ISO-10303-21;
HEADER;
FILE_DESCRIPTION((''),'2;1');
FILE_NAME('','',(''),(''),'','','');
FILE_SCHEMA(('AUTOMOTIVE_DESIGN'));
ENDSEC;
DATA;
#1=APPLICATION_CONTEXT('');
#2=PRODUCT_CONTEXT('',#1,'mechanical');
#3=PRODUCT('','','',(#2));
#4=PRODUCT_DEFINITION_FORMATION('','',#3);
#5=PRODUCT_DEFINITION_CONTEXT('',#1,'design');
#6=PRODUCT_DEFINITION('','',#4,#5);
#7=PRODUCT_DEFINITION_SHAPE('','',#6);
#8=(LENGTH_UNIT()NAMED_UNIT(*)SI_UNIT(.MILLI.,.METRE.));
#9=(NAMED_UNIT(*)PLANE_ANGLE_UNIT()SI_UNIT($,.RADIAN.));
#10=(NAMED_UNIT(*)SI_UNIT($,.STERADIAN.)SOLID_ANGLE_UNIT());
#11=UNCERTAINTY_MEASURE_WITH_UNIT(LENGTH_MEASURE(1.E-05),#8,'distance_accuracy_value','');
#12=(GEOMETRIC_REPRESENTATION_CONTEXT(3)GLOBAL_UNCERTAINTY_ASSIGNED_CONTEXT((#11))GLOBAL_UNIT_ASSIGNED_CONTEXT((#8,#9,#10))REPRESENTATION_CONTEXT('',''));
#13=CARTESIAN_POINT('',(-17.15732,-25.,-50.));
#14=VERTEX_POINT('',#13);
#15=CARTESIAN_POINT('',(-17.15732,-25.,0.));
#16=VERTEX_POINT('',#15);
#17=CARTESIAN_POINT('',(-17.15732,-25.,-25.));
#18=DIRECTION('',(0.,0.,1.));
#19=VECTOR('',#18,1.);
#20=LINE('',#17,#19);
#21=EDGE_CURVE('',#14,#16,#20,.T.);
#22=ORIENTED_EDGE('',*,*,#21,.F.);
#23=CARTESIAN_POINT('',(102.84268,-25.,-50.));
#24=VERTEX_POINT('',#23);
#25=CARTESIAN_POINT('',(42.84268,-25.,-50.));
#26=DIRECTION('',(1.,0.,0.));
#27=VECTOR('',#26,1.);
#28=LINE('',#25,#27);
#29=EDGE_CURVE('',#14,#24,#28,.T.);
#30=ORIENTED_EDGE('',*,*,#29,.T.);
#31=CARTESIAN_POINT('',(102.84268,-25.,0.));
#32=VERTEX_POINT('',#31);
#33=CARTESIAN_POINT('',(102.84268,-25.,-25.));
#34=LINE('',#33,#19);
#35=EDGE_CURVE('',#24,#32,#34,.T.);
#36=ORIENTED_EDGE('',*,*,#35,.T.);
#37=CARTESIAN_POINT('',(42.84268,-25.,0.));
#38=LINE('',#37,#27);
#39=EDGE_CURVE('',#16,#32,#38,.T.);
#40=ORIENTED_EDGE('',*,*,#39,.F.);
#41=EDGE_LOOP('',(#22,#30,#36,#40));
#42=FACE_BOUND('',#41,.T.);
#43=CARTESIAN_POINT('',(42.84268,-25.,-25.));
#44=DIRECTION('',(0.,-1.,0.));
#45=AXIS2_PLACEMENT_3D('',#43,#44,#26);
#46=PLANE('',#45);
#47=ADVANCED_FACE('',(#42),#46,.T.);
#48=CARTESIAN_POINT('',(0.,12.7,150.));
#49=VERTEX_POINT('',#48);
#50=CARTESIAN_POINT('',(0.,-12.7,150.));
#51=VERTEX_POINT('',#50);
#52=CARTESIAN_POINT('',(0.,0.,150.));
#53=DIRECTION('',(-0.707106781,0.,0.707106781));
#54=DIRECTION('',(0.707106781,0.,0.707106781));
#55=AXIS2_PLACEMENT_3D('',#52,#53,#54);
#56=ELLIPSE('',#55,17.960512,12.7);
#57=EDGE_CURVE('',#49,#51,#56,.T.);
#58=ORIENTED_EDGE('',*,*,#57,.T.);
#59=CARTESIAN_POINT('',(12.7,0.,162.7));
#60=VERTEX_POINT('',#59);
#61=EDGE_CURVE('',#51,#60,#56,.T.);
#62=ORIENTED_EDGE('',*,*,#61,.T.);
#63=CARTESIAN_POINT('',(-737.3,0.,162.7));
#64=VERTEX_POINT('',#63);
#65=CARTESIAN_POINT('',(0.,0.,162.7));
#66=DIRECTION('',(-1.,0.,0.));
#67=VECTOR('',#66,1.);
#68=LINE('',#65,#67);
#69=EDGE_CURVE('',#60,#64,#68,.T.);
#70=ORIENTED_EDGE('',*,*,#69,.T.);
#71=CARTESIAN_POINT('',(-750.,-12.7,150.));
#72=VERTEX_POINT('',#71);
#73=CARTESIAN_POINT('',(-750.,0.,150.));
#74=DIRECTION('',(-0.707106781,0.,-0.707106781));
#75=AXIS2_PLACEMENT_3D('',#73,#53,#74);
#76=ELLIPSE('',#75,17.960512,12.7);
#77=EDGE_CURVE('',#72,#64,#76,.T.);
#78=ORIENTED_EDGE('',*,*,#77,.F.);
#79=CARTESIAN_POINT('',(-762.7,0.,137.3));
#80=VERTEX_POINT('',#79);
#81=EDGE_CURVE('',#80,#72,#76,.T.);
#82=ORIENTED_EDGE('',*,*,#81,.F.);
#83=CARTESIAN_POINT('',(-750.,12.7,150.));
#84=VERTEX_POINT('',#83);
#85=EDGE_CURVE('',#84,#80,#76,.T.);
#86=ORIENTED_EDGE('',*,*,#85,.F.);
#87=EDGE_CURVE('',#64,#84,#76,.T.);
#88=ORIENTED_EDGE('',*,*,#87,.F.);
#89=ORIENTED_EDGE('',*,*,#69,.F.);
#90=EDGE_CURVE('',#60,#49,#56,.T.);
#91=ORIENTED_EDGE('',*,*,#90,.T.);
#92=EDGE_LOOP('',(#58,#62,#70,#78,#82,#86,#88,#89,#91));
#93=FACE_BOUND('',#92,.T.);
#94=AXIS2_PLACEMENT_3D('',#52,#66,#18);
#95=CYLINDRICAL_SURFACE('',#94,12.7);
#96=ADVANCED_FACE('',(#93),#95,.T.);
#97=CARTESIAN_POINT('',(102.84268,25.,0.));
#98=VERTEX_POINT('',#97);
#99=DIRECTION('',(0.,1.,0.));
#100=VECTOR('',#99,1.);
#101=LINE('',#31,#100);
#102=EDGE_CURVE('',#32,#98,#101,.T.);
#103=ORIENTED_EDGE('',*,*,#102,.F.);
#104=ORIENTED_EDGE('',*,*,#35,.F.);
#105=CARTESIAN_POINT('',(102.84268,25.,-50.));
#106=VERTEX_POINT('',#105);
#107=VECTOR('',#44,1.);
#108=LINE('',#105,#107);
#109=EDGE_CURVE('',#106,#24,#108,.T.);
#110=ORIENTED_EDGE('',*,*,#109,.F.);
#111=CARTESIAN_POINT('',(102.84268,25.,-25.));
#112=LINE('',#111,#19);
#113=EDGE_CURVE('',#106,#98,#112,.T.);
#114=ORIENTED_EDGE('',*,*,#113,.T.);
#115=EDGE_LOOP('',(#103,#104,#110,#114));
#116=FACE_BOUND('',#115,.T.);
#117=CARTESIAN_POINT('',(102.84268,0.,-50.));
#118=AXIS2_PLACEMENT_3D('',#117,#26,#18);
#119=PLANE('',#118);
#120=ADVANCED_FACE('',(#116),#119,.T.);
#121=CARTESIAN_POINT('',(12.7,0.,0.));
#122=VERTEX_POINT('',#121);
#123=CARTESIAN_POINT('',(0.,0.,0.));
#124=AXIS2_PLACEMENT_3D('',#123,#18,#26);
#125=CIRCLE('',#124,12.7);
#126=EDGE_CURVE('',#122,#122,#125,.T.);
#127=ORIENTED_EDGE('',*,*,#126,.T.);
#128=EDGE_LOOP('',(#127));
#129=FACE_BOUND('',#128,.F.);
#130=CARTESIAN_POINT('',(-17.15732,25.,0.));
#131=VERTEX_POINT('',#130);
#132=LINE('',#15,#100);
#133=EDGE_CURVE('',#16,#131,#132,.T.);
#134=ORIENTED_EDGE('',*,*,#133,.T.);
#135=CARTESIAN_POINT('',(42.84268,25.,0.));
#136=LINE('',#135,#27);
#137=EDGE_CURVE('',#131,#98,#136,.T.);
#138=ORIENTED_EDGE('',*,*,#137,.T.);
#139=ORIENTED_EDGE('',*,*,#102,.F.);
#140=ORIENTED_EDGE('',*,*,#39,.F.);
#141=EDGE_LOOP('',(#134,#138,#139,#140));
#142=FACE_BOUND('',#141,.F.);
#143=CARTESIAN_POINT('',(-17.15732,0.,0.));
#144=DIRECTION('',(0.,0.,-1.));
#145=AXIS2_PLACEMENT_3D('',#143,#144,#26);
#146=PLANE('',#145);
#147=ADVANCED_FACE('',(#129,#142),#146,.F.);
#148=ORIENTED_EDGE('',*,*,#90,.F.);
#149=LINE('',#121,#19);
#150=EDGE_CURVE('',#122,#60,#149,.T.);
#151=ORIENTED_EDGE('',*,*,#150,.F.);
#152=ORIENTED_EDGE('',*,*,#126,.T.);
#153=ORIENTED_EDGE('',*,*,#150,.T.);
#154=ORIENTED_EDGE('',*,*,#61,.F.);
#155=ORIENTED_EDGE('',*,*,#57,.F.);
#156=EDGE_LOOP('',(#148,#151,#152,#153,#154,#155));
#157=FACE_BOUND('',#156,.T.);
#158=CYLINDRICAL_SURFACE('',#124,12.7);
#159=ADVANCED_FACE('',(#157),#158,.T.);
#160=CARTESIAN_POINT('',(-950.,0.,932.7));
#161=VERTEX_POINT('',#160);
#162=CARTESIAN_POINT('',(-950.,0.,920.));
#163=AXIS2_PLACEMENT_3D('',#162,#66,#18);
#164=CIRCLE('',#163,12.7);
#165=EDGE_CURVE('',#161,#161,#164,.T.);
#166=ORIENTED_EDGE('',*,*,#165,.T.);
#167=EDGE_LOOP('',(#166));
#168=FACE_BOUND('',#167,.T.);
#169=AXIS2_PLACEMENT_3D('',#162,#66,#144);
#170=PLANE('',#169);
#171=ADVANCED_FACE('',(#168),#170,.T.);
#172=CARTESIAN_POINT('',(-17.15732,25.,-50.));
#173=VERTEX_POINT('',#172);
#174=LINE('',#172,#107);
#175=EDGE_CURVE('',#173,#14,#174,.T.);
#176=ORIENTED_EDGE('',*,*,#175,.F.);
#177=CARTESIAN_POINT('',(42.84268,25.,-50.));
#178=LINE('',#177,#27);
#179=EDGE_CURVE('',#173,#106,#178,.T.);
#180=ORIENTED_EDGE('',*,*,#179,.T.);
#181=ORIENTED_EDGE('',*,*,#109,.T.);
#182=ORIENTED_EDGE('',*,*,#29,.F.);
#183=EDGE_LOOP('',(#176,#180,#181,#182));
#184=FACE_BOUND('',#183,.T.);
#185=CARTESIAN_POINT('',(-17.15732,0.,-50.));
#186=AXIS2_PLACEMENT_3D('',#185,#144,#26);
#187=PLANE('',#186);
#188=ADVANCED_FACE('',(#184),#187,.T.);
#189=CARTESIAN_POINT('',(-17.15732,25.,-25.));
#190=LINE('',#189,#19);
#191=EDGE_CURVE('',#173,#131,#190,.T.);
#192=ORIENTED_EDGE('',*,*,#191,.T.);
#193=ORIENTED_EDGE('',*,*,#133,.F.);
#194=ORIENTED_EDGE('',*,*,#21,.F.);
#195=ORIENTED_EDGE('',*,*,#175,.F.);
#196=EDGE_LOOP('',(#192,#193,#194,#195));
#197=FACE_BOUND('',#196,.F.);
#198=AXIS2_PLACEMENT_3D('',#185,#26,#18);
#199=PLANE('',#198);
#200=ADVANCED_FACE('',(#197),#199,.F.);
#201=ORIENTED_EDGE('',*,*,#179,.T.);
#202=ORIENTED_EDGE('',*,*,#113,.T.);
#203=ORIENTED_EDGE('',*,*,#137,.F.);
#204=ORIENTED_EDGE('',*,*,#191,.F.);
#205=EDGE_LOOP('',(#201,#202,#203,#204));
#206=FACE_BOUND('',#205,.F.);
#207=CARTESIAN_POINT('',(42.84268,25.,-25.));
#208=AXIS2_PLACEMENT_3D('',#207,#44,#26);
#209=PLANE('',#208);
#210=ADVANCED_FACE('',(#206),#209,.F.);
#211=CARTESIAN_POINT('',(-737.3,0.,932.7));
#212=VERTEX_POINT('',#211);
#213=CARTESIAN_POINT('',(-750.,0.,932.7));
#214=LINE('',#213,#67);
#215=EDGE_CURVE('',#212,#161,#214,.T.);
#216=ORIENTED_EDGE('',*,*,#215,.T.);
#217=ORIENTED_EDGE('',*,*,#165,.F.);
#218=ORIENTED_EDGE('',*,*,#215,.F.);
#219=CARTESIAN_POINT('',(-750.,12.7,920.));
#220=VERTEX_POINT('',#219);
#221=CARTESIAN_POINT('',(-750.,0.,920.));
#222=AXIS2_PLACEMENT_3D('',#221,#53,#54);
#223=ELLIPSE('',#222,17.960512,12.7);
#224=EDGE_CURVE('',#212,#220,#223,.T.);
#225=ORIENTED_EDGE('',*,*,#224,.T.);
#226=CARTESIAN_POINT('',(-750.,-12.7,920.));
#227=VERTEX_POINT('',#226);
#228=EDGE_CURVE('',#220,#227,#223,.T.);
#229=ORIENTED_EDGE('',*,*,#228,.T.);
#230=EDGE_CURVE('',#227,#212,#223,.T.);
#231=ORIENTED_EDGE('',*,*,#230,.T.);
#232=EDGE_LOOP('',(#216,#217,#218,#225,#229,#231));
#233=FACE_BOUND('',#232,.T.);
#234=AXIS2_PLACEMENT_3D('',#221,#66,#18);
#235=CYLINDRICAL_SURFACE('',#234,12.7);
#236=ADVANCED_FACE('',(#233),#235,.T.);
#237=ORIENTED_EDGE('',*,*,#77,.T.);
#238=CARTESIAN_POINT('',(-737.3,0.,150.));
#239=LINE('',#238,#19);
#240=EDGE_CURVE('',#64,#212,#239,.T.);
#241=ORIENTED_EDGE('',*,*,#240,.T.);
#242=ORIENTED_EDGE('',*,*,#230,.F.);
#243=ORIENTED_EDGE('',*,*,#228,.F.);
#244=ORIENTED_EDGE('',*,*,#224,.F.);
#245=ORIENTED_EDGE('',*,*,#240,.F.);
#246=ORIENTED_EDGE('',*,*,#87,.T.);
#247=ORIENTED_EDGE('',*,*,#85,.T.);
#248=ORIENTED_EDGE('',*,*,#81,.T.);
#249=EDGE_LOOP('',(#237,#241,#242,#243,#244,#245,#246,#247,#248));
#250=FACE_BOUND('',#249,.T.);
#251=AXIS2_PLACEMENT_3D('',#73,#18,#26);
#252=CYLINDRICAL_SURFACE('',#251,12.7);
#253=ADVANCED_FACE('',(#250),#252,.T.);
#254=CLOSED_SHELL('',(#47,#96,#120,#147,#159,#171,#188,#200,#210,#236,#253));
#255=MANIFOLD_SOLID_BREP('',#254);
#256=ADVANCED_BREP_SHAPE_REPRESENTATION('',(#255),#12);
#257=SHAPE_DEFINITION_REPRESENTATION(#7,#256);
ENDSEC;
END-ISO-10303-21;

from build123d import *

# Parameters (mm, degrees)
F0_W          = 120
F0_H          = 50
F1_DEPTH      = 25
F1_DEPTH_BACK = 25
F3_R          = 12.7


with BuildPart() as f1:
    # F0 (on Front) → F1 (new body, two sides)
    with BuildSketch(Plane.XZ) as f1_sk:
        with Locations((42.842679834, -25)):
            Rectangle(F0_W, F0_H)
    extrude(amount=F1_DEPTH)
    extrude(f1_sk.sketch, amount=-F1_DEPTH_BACK)

    # F4: sweep along a path in F2
    with BuildLine(Plane.XZ) as f4_path:
        Line((0, 0), (0, 150))
        Line((0, 150), (-750, 150))
        Line((-750, 150), (-750, 920))
        Line((-750, 920), (-950, 920))
    # F3 (on Top) → F4 (sweep)
    with BuildSketch(Plane.XY):
        Circle(F3_R)
    sweep(path=f4_path.line, transition=Transition.RIGHT)


solid = f1.part
